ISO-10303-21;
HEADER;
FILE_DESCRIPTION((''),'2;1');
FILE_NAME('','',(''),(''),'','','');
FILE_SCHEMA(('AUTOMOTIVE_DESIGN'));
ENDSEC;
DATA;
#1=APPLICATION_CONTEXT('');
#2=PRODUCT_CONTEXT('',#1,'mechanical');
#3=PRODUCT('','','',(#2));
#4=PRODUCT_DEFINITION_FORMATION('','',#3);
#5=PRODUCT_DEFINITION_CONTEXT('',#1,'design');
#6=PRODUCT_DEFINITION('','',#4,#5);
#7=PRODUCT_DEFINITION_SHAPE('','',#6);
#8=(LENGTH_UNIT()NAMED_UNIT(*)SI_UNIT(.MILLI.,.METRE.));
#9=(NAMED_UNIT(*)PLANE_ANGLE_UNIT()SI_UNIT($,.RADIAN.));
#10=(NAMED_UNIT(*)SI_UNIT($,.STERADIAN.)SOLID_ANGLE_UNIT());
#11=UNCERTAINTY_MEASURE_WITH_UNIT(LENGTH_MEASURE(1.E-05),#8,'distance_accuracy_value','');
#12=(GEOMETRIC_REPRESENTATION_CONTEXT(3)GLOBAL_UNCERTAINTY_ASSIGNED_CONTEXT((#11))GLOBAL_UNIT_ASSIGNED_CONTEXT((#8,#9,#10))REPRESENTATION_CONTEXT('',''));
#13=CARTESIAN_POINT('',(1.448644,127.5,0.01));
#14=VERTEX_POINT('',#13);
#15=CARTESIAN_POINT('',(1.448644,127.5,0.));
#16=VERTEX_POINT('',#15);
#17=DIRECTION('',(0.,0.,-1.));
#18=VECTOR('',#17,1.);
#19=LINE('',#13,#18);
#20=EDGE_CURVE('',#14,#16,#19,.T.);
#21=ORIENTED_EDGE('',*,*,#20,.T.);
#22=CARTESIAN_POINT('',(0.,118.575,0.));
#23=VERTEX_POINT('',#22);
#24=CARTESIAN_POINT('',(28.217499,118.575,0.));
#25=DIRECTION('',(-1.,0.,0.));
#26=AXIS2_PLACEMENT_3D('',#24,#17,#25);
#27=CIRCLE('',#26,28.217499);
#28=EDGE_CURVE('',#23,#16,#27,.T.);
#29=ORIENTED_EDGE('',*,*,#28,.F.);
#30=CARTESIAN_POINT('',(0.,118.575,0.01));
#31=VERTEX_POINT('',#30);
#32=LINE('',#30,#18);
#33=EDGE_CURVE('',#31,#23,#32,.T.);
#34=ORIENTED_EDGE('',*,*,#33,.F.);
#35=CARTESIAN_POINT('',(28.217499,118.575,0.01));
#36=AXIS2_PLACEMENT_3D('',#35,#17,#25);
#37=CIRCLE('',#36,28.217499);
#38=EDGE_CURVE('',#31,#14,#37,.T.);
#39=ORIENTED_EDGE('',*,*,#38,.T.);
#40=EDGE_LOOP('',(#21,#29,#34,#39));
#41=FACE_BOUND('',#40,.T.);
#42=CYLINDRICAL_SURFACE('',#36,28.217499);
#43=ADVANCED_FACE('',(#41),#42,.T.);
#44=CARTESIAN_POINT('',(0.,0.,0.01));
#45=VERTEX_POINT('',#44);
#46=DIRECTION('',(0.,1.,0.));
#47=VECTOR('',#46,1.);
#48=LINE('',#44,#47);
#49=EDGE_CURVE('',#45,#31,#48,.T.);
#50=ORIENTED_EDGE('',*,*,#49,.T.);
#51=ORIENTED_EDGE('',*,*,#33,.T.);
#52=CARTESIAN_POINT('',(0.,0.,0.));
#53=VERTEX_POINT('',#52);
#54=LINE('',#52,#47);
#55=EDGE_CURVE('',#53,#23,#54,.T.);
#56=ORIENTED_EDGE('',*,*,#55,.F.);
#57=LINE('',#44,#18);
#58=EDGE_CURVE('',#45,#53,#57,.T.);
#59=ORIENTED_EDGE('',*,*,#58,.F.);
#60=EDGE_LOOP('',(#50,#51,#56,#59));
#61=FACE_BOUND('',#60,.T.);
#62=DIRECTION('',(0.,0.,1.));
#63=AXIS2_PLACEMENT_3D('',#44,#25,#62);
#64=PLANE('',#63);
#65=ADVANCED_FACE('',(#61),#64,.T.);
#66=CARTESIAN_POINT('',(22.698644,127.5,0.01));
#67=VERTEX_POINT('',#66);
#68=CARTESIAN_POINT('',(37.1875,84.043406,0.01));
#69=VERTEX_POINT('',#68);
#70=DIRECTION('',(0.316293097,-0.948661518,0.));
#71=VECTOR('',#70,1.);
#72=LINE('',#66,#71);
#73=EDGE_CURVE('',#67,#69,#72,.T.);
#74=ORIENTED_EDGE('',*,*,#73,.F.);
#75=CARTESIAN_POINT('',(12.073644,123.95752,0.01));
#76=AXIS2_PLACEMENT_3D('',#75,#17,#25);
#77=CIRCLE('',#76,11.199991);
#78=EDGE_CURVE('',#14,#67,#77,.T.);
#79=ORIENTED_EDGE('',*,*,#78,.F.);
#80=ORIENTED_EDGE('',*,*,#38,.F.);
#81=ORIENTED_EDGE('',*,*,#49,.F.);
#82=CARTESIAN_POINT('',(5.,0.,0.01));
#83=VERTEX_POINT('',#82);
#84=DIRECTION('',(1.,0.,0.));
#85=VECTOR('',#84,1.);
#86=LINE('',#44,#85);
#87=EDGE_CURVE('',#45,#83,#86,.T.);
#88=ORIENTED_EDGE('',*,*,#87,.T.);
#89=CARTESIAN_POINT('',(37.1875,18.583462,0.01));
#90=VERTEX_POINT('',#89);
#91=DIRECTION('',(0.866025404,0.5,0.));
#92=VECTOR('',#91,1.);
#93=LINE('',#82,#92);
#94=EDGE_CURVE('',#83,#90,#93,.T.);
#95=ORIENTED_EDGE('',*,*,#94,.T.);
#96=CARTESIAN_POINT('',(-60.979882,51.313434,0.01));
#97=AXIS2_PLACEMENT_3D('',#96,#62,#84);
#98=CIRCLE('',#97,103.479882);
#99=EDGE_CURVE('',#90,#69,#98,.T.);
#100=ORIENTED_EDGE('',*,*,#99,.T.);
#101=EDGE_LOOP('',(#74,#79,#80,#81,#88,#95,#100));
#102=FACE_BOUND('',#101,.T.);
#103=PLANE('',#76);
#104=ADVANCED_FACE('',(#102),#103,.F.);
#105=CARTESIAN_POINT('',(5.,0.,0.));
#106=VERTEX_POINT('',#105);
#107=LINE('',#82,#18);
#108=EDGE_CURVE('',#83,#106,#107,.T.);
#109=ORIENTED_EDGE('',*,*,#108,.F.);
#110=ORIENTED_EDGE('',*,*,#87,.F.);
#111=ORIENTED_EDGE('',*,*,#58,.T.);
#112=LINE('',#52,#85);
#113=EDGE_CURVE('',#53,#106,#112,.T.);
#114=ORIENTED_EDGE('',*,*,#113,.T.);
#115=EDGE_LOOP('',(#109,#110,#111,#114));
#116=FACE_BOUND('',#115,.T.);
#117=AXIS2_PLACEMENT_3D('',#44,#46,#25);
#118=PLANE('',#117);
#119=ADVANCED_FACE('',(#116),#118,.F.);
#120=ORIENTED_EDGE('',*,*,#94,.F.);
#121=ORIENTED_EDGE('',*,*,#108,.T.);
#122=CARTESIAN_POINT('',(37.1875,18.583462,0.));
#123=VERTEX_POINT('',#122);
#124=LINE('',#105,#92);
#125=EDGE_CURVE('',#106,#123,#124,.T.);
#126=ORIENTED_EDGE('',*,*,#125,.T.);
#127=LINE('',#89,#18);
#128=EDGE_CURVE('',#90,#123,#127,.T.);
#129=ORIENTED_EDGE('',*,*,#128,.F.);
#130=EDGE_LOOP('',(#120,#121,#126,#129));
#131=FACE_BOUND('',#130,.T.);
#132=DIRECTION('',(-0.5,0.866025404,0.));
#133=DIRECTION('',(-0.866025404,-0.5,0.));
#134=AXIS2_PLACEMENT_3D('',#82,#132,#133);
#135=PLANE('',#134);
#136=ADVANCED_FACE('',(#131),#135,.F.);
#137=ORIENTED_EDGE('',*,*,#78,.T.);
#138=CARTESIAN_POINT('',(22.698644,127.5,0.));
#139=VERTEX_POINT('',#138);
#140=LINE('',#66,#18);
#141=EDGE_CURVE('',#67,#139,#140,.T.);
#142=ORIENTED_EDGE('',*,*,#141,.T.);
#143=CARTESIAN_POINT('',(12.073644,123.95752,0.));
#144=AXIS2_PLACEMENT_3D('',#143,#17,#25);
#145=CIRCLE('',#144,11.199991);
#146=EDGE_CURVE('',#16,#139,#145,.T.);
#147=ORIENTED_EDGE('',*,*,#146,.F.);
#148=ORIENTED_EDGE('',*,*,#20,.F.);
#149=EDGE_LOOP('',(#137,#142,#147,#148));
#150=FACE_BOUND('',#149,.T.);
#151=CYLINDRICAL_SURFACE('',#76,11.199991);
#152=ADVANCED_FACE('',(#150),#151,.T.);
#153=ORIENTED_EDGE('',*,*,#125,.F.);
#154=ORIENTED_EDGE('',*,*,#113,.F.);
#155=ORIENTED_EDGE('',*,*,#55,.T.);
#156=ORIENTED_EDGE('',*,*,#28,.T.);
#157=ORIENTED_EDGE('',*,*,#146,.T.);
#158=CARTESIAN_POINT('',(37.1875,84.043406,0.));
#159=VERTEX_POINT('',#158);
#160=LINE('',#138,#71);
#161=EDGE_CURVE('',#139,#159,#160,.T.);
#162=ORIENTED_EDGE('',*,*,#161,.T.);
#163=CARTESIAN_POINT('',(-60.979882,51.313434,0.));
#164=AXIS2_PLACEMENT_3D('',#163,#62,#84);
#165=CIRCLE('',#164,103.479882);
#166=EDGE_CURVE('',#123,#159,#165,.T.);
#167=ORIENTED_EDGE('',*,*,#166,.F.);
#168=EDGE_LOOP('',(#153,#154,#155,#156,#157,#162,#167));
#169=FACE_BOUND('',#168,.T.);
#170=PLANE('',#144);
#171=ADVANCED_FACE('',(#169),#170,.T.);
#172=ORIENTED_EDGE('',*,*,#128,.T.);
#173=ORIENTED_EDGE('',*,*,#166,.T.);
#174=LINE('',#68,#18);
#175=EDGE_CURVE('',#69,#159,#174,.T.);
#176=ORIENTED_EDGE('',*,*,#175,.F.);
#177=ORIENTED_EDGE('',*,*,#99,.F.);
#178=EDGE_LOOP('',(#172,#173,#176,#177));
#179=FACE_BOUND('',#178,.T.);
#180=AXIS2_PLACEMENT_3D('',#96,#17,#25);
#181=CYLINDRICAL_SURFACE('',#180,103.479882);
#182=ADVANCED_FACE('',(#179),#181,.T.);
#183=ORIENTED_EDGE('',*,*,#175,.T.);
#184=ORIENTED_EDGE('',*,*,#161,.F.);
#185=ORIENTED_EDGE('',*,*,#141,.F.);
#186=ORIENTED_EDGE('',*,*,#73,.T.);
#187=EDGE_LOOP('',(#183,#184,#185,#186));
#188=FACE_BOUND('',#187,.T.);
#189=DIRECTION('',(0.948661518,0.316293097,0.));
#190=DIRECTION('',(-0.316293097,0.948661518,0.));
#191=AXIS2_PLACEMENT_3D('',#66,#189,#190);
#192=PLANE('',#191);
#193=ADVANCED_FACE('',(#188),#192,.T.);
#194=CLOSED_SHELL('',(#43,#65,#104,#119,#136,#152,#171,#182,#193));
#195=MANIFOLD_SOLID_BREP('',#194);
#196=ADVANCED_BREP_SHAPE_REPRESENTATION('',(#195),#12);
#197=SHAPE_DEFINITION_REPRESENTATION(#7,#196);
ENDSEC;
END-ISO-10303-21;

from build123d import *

# Parameters (mm, degrees)
BOSS_EXTRUDE1_DEPTH = 0.01


with BuildPart() as part:
    # Sketch1 → Boss-Extrude1 (new body)
    with BuildSketch(Plane(origin=(0, 0, 0), x_dir=(0, 1, 0), z_dir=(0, 0, 1))):
        with BuildLine():
            Line((0, 0), (118.575, 0))
            ThreePointArc((118.575, 0), (123.095901267, -0.364515296), (127.5, -1.448643526))
            ThreePointArc((127.5, -1.448643526), (135.157510819, -12.073643526), (127.5, -22.698643526))
            Line((127.5, -22.698643526), (84.043406413, -37.1875))
            ThreePointArc((84.043406413, -37.1875), (51.313434101, -42.5), (18.58346179, -37.1875))
            Line((18.58346179, -37.1875), (0, -5))
            Line((0, -5), (0, 0))
        make_face()
    extrude(amount=BOSS_EXTRUDE1_DEPTH)


solid = part.part
